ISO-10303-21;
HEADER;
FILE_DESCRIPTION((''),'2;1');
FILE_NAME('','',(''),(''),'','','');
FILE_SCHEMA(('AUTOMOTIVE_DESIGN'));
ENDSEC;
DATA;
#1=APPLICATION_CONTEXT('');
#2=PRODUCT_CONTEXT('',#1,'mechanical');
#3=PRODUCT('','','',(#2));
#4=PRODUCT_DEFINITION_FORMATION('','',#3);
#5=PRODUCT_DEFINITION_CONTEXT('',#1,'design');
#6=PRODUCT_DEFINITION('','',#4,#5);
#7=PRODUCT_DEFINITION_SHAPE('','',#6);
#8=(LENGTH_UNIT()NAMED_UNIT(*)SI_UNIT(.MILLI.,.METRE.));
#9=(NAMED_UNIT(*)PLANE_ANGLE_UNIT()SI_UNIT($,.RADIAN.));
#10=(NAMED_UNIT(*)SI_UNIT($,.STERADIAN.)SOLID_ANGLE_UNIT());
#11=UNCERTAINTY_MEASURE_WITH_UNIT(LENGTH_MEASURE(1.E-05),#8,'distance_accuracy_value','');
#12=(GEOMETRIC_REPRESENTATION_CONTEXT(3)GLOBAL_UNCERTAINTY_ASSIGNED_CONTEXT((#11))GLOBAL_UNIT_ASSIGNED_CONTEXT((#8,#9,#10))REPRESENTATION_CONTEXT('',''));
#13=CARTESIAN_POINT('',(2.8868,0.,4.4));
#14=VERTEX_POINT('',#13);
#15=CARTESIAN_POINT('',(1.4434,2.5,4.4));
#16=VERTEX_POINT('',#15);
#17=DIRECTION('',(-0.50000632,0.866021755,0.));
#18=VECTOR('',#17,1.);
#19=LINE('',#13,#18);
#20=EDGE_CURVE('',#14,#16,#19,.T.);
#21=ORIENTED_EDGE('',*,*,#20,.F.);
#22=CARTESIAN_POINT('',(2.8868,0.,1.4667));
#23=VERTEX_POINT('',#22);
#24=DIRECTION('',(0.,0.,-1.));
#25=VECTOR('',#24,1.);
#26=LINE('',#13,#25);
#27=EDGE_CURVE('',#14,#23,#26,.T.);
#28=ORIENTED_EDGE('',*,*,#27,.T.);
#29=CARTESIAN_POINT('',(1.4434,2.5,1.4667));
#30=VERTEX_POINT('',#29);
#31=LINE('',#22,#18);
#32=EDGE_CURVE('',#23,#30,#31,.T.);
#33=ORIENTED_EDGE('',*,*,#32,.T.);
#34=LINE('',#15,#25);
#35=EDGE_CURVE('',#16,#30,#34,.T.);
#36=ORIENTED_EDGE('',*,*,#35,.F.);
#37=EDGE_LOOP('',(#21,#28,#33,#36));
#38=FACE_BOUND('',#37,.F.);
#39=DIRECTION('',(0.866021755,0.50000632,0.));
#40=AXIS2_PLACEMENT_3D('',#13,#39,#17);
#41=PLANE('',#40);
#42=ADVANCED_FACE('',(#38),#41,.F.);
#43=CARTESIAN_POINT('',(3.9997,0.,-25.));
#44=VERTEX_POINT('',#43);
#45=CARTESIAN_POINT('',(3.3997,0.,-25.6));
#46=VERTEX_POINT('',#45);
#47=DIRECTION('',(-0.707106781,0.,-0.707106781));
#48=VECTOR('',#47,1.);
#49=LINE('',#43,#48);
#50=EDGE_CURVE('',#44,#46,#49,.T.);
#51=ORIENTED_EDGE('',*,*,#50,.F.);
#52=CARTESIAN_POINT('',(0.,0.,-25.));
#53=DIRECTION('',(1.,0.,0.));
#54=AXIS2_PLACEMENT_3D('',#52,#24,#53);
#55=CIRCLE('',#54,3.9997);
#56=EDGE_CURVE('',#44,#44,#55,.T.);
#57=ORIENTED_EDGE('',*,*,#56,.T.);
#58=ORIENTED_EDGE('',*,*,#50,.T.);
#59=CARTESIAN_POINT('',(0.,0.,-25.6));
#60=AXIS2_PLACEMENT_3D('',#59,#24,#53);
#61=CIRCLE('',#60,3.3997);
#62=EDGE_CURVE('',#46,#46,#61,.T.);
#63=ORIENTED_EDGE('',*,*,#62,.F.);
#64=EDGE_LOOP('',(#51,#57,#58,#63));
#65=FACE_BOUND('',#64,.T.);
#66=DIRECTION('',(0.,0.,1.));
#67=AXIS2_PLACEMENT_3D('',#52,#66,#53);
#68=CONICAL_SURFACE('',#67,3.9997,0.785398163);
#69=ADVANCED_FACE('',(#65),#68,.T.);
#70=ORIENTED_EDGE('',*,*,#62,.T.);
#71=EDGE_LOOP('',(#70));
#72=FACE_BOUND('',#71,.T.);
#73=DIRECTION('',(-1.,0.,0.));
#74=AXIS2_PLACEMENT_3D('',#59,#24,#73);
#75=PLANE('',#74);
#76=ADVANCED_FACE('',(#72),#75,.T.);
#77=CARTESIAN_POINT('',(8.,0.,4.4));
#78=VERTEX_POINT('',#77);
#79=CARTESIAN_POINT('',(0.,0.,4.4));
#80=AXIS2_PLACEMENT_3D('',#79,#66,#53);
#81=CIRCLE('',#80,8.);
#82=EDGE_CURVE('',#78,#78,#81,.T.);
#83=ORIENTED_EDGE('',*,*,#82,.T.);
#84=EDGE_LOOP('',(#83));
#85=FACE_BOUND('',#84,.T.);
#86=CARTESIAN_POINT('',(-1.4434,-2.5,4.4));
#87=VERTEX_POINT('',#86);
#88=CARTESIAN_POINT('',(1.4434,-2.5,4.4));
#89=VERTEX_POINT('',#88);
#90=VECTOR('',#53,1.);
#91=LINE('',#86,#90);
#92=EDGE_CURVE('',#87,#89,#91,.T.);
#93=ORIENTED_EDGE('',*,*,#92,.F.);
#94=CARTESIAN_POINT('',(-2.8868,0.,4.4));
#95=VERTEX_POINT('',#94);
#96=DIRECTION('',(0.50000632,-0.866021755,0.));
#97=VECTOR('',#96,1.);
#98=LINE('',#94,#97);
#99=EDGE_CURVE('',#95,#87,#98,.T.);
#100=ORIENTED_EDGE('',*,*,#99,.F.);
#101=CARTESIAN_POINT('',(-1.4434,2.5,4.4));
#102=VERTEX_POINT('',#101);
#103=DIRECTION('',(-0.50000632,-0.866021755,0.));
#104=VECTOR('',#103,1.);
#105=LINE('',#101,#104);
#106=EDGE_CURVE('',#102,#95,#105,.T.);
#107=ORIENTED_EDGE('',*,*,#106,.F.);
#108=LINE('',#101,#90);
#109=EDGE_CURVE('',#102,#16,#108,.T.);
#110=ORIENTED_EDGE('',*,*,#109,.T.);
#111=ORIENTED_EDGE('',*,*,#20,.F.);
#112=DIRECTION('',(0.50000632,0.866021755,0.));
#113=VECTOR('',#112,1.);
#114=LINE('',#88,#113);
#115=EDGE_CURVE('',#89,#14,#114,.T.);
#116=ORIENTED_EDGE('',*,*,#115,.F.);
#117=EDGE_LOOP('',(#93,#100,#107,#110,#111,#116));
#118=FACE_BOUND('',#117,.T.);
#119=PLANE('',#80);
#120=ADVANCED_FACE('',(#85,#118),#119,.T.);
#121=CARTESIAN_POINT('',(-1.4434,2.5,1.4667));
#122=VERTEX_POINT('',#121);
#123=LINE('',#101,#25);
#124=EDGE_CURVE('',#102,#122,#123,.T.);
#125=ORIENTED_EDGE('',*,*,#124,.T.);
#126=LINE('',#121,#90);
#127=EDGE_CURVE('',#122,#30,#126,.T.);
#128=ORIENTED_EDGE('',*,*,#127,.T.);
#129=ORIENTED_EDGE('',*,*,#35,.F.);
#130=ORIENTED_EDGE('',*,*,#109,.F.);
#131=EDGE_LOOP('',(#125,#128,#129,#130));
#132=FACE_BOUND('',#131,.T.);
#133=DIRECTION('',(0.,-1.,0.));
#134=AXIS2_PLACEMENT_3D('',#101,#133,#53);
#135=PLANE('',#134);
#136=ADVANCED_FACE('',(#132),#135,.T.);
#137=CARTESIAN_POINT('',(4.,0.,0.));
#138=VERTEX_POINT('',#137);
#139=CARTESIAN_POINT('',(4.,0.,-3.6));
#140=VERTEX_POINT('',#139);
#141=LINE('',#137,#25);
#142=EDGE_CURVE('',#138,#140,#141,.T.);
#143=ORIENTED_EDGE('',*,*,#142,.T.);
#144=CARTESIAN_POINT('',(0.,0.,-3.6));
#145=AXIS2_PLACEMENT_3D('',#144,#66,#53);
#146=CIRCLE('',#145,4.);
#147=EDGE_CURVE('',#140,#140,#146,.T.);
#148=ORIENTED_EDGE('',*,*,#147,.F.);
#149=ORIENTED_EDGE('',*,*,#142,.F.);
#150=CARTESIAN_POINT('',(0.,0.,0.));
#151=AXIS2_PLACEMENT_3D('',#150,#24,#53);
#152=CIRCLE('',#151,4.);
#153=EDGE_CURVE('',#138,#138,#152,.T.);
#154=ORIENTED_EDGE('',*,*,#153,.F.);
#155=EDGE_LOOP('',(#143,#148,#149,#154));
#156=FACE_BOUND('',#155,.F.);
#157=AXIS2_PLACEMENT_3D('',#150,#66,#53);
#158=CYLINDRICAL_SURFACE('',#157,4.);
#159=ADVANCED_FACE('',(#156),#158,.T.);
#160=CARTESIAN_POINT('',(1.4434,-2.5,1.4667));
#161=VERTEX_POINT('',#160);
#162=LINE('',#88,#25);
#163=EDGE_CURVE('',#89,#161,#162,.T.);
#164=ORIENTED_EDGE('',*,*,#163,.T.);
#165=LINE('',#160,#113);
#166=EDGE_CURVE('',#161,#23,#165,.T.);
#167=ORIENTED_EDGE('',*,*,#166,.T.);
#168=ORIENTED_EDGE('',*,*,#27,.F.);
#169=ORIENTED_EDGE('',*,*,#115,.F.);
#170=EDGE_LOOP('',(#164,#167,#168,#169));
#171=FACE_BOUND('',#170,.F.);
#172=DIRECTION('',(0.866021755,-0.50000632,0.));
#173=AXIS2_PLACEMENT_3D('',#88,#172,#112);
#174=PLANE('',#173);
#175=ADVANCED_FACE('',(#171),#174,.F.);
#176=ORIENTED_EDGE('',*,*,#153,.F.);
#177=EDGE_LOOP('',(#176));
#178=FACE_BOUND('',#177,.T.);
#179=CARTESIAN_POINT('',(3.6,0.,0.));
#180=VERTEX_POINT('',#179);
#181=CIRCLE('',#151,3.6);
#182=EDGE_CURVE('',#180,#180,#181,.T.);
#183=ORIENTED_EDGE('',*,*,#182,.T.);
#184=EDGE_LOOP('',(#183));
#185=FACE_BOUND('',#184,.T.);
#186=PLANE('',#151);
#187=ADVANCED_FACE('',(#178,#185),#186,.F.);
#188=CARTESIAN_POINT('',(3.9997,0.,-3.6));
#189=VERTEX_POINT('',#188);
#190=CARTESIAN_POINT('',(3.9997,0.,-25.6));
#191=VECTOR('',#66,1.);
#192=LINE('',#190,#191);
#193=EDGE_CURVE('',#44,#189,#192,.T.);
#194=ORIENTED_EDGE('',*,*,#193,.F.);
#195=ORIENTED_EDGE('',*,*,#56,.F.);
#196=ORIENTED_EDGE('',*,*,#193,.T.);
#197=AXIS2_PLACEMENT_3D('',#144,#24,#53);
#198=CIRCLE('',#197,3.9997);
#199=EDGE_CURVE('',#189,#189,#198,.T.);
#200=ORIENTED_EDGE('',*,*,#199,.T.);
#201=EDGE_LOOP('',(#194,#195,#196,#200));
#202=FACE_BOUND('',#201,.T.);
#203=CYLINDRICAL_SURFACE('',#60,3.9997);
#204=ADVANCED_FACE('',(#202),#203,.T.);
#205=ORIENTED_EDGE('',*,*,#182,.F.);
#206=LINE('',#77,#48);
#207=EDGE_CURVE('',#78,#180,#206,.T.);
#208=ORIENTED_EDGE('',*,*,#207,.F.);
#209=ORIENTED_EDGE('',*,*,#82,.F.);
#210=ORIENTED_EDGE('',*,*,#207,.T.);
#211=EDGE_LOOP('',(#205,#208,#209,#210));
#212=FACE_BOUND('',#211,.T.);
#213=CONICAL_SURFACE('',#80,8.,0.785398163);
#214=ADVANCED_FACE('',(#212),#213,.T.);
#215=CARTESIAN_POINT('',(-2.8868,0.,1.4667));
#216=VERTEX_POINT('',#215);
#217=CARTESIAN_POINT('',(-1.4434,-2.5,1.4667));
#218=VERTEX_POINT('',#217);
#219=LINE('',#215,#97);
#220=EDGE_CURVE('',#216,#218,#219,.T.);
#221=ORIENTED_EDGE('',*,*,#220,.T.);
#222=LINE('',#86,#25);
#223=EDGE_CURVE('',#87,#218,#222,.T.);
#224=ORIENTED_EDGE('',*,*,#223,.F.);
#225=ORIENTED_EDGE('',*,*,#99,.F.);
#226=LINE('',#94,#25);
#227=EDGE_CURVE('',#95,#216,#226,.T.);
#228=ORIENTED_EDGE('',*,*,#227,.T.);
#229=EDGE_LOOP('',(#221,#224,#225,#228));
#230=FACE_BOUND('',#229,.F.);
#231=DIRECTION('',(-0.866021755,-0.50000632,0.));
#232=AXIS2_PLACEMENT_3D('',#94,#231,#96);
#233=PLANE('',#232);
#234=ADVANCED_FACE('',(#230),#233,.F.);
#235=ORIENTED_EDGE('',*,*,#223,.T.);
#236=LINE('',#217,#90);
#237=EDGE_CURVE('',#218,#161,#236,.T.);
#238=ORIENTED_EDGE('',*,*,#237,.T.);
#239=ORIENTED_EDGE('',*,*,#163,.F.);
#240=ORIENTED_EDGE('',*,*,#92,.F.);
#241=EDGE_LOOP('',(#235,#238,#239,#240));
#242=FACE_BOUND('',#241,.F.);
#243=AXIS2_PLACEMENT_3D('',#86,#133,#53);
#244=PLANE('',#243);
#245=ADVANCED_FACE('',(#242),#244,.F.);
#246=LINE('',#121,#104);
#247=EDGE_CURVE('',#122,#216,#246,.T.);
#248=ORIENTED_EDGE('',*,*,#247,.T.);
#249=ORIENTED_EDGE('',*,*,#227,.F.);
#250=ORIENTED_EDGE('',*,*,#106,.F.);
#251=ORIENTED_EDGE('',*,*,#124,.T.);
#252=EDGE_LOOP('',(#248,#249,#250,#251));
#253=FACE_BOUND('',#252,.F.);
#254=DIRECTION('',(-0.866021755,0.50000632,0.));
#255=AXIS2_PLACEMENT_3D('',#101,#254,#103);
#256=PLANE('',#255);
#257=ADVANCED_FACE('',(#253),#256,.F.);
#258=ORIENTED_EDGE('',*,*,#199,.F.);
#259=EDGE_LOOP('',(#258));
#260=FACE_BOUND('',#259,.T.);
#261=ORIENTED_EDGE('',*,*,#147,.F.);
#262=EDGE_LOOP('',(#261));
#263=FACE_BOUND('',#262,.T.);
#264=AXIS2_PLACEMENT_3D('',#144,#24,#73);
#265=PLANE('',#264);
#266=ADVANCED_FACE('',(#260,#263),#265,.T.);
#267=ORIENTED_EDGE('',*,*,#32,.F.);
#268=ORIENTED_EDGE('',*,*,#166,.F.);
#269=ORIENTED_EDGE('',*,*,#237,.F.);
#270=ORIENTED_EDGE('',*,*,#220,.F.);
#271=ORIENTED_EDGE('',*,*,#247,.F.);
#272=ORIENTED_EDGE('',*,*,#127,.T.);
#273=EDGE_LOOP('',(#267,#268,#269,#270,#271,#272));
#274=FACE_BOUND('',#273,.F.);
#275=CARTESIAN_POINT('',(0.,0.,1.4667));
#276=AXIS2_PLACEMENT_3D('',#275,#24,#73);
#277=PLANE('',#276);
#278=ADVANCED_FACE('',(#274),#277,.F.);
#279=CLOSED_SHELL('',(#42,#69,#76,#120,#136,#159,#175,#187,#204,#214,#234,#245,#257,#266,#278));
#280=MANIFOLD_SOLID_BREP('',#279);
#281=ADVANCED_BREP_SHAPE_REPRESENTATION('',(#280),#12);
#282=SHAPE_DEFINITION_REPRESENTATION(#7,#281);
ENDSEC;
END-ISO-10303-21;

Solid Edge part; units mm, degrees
sketch "Sketch1" plane through (0, 0, 0) normal (0, 0, 1) x (1, 0, 0)
  circle A0 centre (0, 0) radius 8
  dimension "D1" = 16
extrude "Protrusion1" add sketch "Sketch1" along normal blind 4.4
sketch "Sketch2" plane through (0, 0, 0) normal (0, 0, -1) x (1, 0, 0)
  circle A0 centre (0, 0) radius 4
extrude "Protrusion2" add sketch "Sketch2" along normal blind 25.6
sketch "Sketch3" plane through (0, 0, -25.6) normal (0, 0, -1) x (1, 0, 0)
  circle A0 centre (0, 0) radius 3.9997
extrude "Cutout1" cut sketch "Sketch3" against normal blind 22 flip side to cut
chamfer "Chamfer_1" distance 0.6 angle 45 1 edges at (-3.9997, 0, -25.6)
sketch "Sketch4" plane through (0, 0, 4.4) normal (0, 0, 1) x (1, 0, 0)
  line L0 (-1.4434, 2.5) -> (1.4434, 2.5)
  line L1 (2.8868, 0) -> (1.4434, 2.5)
  line L2 (1.4434, -2.5) -> (2.8868, 0)
  line L3 (-1.4434, -2.5) -> (1.4434, -2.5)
  line L4 (-2.8868, 0) -> (-1.4434, -2.5)
  line L5 (-1.4434, 2.5) -> (-2.8868, 0)
  dimension "D1" = 5
extrude "Cutout2" cut sketch "Sketch4" against normal blind 2.9333
sketch "Sketch5" plane through (0, 0, 0) normal (0, -1, 0) x (1, 0, 0)
  line L0 (8, 4.4) -> (3.6, 0)
  line L1 (3.6, 0) -> (8, 0)
  line L2 (8, 0) -> (8, 4.4)
revolve "RevolvedCutout1" cut sketch "Sketch5" angle 360 about axis through (0, 0, 14.0017) along (0, 0, -1)
properties part number "107233"
